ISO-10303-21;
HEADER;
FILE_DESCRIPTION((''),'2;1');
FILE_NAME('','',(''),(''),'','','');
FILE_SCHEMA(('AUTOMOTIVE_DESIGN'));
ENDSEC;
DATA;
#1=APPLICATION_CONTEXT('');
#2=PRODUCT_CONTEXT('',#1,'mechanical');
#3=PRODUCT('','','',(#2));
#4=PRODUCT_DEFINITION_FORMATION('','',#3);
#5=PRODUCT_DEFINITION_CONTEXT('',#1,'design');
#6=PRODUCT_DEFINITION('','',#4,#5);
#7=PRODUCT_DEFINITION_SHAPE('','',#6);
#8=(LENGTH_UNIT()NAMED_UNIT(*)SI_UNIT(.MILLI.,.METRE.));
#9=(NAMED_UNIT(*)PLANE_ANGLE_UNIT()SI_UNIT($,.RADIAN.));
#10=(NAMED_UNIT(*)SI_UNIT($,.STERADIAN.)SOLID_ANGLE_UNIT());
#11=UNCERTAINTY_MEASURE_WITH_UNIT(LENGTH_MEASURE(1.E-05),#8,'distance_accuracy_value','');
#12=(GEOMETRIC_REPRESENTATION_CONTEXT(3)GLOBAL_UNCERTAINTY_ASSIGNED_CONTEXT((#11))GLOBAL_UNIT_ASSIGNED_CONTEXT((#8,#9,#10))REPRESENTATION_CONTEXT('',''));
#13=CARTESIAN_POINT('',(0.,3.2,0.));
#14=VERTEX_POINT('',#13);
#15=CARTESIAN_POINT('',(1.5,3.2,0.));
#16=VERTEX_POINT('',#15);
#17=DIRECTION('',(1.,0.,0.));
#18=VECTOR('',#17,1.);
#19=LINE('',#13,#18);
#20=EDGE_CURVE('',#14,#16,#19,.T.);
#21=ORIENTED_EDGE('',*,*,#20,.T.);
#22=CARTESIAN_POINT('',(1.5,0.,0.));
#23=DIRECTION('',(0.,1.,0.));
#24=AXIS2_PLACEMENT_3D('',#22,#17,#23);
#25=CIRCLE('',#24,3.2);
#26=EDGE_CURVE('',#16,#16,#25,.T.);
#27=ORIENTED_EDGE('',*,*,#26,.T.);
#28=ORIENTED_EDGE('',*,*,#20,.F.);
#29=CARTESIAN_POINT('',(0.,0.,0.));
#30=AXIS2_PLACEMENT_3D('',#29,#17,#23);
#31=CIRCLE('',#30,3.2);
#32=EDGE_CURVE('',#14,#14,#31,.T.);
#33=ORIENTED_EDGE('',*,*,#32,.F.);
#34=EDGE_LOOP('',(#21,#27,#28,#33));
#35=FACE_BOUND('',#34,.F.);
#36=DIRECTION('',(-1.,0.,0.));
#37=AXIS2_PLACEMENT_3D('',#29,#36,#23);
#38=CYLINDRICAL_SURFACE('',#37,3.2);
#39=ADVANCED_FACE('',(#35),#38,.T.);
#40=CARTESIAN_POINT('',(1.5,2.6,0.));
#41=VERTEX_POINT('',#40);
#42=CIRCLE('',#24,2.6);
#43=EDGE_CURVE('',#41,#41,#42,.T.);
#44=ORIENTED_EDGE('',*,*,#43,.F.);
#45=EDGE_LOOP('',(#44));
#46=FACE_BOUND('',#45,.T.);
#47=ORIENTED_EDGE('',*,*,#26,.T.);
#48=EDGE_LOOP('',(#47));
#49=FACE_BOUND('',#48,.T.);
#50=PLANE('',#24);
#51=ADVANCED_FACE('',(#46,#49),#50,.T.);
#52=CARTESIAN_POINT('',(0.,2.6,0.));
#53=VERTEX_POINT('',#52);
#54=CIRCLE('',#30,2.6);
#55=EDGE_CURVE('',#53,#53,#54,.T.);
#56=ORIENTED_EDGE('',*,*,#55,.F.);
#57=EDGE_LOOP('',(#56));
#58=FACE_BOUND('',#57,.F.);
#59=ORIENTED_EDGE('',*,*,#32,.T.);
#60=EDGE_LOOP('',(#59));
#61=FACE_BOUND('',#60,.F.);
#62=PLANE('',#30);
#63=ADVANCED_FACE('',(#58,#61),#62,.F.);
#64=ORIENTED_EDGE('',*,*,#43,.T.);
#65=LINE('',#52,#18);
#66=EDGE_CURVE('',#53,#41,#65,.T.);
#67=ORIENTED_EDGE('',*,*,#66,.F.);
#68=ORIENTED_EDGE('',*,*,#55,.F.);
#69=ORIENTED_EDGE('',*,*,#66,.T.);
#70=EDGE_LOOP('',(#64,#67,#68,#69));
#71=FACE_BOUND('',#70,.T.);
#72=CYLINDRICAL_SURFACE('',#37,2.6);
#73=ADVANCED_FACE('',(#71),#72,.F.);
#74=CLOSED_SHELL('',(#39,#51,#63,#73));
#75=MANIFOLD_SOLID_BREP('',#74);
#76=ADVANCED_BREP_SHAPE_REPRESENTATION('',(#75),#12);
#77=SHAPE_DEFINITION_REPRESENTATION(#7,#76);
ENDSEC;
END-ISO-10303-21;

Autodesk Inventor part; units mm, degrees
ref_plane "YZ Plane" through (0, 0, 0) normal (1, 0, 0) x (0, 1, 0)
ref_plane "XZ Plane" through (0, 0, 0) normal (0, 1, 0) x (-1, 0, 0)
ref_plane "XY Plane" through (0, 0, 0) normal (0, 0, 1) x (1, 0, 0)
sketch "スケッチ1" plane through (0, 0, 0) normal (1, 0, 0) x (0, 1, 0)
  circle A0 centre (0, 0) radius 2.6
  circle A1 centre (0, 0) radius 3.2
  dimension "d0" = 5.2
  dimension "d1" = 6.4
extrude "押し出し1" add sketch "スケッチ1" along normal blind 1.5
properties part number "CB-501.5PC"
